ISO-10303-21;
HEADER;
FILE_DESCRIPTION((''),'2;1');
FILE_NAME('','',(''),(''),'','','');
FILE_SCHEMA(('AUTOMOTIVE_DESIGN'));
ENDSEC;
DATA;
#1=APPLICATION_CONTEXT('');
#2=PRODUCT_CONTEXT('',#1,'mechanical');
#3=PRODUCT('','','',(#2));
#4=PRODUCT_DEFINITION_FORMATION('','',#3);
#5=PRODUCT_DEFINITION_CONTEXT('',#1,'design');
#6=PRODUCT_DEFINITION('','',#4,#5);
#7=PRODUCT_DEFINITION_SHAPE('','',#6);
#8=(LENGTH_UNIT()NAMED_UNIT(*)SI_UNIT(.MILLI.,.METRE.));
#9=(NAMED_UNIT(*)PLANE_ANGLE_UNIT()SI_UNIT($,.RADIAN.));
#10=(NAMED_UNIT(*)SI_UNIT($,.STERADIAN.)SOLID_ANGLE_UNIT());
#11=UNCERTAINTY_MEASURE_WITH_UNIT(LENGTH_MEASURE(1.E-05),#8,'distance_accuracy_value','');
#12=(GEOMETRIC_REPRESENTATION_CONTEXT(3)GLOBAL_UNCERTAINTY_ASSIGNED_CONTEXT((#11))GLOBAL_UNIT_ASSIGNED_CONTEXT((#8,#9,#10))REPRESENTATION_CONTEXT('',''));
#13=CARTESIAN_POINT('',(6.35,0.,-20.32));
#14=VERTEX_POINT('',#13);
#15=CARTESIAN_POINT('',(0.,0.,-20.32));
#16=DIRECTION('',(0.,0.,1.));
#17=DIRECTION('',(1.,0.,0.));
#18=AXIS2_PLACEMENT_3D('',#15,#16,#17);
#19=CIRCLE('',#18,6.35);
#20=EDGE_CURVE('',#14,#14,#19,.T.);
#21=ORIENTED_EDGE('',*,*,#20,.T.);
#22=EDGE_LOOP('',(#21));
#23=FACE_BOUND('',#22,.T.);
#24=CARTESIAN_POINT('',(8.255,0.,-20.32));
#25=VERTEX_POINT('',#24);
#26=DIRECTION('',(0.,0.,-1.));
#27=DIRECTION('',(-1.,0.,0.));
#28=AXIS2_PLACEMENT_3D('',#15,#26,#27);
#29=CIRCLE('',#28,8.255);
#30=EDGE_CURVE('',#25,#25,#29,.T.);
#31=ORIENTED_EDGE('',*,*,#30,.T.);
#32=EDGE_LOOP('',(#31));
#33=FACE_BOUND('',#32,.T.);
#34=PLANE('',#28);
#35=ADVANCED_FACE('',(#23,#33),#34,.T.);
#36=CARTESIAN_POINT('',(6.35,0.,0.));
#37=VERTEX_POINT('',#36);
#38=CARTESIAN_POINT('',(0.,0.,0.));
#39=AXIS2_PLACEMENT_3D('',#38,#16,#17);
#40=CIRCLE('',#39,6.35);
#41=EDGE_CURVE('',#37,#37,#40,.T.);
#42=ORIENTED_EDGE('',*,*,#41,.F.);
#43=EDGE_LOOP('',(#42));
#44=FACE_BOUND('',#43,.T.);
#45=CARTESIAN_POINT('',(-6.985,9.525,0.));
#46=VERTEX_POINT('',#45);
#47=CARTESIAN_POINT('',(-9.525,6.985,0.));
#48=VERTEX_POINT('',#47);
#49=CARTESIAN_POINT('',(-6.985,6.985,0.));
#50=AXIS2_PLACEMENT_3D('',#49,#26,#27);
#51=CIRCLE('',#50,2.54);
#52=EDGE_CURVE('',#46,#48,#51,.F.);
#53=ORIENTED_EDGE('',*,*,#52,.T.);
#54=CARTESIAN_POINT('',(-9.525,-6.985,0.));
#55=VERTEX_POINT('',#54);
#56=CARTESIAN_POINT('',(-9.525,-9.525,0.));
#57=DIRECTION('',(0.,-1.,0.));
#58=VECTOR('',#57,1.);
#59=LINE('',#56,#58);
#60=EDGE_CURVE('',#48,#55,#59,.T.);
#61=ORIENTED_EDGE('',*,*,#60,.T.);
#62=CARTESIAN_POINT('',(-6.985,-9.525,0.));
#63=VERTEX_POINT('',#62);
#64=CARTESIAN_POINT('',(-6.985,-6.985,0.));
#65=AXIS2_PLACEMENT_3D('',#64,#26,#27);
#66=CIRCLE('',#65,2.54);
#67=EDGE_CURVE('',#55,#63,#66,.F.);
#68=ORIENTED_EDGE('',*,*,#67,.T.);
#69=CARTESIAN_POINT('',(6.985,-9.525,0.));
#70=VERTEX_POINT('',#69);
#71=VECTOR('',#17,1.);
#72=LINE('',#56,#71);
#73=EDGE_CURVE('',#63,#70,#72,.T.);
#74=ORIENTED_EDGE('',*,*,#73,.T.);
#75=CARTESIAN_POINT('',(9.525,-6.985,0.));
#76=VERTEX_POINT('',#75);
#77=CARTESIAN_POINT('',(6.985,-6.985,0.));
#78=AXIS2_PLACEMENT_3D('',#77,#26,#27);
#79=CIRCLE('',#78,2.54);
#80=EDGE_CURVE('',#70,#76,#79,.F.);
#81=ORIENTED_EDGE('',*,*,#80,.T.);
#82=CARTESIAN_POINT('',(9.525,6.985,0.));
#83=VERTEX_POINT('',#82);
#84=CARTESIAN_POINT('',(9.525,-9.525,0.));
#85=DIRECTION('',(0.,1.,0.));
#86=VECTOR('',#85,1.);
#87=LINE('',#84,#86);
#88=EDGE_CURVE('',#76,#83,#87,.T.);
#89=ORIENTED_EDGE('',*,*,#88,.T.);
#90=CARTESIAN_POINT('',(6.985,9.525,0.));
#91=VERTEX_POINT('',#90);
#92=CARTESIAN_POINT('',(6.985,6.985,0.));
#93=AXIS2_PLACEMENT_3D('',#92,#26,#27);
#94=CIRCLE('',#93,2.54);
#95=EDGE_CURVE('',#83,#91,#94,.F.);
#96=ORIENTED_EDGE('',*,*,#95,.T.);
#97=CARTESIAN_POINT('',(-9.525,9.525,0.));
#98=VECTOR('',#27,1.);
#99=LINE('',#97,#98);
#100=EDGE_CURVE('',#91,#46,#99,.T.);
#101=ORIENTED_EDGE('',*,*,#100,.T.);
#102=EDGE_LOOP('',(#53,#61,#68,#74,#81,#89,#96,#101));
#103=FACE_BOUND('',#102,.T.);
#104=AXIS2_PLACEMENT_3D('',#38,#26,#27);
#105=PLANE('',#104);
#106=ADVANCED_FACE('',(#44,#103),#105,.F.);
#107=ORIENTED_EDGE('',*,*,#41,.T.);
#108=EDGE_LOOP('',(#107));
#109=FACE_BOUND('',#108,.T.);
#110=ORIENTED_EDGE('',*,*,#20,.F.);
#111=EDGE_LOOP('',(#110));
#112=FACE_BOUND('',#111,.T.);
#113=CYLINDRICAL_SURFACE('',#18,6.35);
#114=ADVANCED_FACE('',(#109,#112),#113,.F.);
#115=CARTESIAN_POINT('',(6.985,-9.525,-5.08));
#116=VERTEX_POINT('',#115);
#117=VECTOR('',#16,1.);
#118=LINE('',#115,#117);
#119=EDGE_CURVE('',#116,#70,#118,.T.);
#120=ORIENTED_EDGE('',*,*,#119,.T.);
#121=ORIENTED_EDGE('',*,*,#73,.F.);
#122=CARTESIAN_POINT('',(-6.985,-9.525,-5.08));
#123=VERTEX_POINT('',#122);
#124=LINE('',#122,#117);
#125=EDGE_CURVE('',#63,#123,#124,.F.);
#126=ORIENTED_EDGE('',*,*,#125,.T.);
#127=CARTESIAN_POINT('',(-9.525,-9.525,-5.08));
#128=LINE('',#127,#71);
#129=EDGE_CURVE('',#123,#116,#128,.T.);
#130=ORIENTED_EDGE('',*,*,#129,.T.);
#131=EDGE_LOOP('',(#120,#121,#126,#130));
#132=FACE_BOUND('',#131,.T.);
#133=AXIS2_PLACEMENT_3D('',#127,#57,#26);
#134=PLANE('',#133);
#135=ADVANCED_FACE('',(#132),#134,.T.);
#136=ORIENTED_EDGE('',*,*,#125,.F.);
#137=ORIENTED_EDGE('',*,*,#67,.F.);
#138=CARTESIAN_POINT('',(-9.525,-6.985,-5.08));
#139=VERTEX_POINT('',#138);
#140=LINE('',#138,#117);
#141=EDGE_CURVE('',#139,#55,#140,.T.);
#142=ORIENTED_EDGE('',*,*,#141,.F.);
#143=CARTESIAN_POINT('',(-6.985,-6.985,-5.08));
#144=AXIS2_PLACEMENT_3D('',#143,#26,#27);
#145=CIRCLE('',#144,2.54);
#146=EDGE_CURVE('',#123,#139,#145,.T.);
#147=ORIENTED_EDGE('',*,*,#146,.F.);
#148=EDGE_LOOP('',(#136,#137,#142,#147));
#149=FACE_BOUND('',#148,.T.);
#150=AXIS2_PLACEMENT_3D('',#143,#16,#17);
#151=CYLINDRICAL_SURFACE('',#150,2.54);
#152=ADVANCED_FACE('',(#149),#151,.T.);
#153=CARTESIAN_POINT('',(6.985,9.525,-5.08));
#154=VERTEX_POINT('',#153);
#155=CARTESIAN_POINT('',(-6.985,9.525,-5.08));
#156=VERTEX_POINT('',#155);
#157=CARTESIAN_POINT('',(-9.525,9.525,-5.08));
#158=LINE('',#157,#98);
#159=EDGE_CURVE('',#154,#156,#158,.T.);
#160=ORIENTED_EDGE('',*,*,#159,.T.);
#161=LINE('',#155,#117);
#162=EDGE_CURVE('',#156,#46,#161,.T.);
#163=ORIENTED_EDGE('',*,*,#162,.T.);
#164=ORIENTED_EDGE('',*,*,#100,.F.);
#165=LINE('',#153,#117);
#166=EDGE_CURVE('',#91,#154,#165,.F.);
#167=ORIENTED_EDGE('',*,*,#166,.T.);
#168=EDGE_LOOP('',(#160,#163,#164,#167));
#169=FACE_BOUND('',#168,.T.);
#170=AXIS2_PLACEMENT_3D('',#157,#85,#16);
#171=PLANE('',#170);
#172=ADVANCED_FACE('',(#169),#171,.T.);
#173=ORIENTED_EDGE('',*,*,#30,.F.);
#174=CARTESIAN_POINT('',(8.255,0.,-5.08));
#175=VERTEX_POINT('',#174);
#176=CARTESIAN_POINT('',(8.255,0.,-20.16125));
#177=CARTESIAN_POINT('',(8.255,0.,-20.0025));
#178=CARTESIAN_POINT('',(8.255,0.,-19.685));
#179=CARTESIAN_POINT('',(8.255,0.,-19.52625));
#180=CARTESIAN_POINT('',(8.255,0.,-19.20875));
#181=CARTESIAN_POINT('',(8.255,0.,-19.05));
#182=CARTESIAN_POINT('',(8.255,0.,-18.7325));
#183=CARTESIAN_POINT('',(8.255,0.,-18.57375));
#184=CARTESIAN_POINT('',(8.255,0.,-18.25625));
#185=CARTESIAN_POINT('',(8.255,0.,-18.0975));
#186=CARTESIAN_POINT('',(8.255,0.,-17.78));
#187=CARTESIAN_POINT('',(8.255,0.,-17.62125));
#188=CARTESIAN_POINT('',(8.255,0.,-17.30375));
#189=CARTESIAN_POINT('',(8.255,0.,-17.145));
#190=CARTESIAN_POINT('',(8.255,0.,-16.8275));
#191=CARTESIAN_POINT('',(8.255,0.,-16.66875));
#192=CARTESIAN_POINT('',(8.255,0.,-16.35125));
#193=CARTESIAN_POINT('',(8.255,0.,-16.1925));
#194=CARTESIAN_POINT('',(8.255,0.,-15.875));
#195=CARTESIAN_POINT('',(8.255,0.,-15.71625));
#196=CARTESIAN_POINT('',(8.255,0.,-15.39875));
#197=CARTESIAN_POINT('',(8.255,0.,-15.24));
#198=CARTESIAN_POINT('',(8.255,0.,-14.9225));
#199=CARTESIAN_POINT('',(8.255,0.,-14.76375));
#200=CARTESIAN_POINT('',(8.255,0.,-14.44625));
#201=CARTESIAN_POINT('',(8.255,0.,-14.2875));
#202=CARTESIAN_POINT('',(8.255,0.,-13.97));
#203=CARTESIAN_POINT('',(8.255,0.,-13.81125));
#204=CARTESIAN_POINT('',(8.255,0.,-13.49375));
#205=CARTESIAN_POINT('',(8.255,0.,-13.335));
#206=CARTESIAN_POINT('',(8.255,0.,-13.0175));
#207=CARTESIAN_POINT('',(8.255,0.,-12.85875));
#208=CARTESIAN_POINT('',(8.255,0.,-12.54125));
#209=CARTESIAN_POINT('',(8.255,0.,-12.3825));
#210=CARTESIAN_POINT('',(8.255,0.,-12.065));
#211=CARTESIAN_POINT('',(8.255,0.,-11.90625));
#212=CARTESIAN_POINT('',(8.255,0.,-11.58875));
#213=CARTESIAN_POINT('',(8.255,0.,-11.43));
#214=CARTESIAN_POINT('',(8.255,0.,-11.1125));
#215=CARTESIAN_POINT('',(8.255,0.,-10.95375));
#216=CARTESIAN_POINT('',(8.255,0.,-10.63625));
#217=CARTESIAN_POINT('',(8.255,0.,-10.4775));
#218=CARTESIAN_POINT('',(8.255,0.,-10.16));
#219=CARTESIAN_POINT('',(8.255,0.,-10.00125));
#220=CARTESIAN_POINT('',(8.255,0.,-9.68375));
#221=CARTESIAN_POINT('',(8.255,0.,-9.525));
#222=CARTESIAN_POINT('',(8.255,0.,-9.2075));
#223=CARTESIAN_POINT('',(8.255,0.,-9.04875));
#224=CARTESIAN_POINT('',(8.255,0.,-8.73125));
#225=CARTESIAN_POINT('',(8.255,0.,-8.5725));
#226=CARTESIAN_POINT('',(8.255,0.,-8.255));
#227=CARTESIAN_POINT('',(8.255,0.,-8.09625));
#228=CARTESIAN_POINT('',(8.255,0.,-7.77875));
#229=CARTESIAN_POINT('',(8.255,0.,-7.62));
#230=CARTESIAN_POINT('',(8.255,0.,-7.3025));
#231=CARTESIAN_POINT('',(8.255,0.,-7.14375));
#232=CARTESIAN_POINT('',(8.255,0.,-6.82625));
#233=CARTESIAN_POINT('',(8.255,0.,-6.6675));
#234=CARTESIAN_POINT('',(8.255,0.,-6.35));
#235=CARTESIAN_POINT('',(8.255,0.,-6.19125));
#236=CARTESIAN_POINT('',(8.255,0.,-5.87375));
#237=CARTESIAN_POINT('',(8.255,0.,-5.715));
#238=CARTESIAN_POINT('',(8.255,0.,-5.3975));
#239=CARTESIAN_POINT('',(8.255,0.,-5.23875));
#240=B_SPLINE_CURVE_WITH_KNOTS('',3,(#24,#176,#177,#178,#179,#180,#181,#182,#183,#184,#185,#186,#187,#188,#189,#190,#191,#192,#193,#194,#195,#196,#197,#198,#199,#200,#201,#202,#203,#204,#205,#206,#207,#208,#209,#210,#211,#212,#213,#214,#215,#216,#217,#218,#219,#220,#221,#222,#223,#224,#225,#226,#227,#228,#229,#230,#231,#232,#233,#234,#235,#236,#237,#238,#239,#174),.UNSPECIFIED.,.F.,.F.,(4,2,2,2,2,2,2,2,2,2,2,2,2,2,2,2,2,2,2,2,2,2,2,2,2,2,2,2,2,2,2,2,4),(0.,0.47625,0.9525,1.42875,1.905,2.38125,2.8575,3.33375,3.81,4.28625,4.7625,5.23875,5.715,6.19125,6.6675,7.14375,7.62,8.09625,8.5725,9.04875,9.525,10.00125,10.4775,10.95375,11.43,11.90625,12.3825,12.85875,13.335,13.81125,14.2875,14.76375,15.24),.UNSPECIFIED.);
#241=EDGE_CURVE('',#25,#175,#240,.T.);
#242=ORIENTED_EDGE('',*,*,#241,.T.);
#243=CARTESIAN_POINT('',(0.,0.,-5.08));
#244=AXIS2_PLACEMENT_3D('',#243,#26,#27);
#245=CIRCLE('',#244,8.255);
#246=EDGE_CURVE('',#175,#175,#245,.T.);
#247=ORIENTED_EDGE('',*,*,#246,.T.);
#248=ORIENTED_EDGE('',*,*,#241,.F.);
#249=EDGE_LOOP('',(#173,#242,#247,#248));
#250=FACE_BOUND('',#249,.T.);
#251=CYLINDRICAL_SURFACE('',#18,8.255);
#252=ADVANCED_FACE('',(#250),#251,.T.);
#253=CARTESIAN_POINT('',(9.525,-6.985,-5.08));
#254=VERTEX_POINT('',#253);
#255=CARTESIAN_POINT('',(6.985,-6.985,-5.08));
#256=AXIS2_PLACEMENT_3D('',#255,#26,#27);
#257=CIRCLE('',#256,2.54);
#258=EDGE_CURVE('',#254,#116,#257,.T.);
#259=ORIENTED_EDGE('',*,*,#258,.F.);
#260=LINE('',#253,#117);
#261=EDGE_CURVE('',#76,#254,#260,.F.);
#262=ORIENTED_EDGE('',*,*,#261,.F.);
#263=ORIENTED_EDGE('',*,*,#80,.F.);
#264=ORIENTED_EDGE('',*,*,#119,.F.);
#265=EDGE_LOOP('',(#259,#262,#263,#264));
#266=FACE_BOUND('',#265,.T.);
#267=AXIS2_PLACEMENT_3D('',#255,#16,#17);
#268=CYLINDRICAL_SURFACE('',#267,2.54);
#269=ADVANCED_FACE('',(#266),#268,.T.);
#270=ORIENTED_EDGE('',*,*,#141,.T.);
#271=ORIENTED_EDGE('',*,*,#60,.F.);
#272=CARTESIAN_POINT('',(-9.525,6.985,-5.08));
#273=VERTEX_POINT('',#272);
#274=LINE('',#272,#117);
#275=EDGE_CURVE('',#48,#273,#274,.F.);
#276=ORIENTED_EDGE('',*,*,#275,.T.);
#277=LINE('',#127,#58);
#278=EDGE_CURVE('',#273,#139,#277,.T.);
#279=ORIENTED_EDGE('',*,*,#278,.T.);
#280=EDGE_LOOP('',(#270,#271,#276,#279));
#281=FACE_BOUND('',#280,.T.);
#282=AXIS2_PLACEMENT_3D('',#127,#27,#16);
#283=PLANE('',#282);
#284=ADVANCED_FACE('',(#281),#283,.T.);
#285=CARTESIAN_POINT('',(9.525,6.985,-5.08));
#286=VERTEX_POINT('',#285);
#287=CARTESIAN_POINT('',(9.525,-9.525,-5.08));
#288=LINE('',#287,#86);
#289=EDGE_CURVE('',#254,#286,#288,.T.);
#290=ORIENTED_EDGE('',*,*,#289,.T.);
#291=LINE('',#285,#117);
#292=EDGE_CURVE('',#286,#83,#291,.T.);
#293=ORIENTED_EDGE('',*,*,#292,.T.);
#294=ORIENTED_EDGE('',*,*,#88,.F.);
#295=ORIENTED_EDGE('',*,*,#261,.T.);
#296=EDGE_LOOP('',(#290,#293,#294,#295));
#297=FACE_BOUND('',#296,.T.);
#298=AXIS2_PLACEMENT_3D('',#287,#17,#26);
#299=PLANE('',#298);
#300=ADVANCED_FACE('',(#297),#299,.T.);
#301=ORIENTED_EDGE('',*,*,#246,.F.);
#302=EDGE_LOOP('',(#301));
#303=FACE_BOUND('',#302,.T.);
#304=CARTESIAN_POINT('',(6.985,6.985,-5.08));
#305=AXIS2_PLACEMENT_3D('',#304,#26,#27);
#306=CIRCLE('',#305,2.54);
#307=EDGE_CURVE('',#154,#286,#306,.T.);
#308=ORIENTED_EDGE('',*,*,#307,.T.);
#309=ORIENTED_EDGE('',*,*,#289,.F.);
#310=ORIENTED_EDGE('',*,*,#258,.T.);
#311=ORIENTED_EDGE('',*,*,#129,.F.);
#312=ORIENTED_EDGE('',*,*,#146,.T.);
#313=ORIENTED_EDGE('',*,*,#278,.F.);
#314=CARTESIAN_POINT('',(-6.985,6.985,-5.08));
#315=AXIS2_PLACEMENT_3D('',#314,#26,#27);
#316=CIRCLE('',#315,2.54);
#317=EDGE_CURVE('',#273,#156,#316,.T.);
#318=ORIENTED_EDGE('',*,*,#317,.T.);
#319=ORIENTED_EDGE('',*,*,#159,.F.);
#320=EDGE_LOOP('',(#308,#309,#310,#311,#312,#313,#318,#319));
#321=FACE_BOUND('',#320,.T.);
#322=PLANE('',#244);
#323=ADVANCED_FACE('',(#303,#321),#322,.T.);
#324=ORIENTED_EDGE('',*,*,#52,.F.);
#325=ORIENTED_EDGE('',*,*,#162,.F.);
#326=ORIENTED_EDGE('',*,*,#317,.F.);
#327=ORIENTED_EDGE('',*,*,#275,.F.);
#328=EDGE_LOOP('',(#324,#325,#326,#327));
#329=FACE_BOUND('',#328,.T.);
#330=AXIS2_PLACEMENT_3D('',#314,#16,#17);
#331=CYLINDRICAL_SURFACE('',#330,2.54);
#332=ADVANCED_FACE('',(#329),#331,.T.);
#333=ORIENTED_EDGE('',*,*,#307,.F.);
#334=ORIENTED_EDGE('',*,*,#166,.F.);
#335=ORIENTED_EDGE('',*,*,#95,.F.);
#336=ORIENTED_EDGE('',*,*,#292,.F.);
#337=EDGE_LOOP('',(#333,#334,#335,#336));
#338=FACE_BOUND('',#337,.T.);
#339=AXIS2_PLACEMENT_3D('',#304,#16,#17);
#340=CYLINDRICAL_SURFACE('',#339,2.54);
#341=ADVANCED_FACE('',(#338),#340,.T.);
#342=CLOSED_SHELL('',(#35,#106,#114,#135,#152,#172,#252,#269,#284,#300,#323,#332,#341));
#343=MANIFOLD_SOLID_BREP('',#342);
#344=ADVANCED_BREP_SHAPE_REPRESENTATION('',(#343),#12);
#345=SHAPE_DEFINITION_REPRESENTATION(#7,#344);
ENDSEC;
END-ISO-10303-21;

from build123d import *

# Parameters (mm, degrees)
SKETCH1_W           = 19.05
SKETCH1_H           = 19.05
BOSS_EXTRUDE1_DEPTH = 5.08
SKETCH2_R           = 8.255
BOSS_EXTRUDE2_DEPTH = 15.24
SKETCH3_R           = 6.35
CUT_EXTRUDE1_DEPTH  = 25.379369352
FILLET1_R           = 2.54


with BuildPart() as part:
    # Sketch1 → Boss-Extrude1 (new body)
    with BuildSketch(Plane.XY):
        Rectangle(SKETCH1_W, SKETCH1_H)
    extrude(amount=-BOSS_EXTRUDE1_DEPTH)

    # Sketch2 → Boss-Extrude2 (add)
    with BuildSketch(Plane(origin=(0, 0, -5.08), x_dir=(-1, 0, 0), z_dir=(0, 0, -1))):
        with Locations(Location((0, 0, 0), (0, 0, 180))):
            Circle(SKETCH2_R)
    extrude(amount=BOSS_EXTRUDE2_DEPTH)

    # Sketch3 → Cut-Extrude1 (cut, through all)
    with BuildSketch(Plane.XY):
        Circle(SKETCH3_R)
    extrude(amount=-CUT_EXTRUDE1_DEPTH, mode=Mode.SUBTRACT)

    # Fillet1
    fillet1_edges = [part.edges().sort_by_distance(p)[0] for p in [
        (9.525, -9.525, -2.54),
        (-9.525, -9.525, -2.54),
        (-9.525, 9.525, -2.54),
        (9.525, 9.525, -2.54),
    ]]
    fillet(fillet1_edges, radius=FILLET1_R)


solid = part.part
